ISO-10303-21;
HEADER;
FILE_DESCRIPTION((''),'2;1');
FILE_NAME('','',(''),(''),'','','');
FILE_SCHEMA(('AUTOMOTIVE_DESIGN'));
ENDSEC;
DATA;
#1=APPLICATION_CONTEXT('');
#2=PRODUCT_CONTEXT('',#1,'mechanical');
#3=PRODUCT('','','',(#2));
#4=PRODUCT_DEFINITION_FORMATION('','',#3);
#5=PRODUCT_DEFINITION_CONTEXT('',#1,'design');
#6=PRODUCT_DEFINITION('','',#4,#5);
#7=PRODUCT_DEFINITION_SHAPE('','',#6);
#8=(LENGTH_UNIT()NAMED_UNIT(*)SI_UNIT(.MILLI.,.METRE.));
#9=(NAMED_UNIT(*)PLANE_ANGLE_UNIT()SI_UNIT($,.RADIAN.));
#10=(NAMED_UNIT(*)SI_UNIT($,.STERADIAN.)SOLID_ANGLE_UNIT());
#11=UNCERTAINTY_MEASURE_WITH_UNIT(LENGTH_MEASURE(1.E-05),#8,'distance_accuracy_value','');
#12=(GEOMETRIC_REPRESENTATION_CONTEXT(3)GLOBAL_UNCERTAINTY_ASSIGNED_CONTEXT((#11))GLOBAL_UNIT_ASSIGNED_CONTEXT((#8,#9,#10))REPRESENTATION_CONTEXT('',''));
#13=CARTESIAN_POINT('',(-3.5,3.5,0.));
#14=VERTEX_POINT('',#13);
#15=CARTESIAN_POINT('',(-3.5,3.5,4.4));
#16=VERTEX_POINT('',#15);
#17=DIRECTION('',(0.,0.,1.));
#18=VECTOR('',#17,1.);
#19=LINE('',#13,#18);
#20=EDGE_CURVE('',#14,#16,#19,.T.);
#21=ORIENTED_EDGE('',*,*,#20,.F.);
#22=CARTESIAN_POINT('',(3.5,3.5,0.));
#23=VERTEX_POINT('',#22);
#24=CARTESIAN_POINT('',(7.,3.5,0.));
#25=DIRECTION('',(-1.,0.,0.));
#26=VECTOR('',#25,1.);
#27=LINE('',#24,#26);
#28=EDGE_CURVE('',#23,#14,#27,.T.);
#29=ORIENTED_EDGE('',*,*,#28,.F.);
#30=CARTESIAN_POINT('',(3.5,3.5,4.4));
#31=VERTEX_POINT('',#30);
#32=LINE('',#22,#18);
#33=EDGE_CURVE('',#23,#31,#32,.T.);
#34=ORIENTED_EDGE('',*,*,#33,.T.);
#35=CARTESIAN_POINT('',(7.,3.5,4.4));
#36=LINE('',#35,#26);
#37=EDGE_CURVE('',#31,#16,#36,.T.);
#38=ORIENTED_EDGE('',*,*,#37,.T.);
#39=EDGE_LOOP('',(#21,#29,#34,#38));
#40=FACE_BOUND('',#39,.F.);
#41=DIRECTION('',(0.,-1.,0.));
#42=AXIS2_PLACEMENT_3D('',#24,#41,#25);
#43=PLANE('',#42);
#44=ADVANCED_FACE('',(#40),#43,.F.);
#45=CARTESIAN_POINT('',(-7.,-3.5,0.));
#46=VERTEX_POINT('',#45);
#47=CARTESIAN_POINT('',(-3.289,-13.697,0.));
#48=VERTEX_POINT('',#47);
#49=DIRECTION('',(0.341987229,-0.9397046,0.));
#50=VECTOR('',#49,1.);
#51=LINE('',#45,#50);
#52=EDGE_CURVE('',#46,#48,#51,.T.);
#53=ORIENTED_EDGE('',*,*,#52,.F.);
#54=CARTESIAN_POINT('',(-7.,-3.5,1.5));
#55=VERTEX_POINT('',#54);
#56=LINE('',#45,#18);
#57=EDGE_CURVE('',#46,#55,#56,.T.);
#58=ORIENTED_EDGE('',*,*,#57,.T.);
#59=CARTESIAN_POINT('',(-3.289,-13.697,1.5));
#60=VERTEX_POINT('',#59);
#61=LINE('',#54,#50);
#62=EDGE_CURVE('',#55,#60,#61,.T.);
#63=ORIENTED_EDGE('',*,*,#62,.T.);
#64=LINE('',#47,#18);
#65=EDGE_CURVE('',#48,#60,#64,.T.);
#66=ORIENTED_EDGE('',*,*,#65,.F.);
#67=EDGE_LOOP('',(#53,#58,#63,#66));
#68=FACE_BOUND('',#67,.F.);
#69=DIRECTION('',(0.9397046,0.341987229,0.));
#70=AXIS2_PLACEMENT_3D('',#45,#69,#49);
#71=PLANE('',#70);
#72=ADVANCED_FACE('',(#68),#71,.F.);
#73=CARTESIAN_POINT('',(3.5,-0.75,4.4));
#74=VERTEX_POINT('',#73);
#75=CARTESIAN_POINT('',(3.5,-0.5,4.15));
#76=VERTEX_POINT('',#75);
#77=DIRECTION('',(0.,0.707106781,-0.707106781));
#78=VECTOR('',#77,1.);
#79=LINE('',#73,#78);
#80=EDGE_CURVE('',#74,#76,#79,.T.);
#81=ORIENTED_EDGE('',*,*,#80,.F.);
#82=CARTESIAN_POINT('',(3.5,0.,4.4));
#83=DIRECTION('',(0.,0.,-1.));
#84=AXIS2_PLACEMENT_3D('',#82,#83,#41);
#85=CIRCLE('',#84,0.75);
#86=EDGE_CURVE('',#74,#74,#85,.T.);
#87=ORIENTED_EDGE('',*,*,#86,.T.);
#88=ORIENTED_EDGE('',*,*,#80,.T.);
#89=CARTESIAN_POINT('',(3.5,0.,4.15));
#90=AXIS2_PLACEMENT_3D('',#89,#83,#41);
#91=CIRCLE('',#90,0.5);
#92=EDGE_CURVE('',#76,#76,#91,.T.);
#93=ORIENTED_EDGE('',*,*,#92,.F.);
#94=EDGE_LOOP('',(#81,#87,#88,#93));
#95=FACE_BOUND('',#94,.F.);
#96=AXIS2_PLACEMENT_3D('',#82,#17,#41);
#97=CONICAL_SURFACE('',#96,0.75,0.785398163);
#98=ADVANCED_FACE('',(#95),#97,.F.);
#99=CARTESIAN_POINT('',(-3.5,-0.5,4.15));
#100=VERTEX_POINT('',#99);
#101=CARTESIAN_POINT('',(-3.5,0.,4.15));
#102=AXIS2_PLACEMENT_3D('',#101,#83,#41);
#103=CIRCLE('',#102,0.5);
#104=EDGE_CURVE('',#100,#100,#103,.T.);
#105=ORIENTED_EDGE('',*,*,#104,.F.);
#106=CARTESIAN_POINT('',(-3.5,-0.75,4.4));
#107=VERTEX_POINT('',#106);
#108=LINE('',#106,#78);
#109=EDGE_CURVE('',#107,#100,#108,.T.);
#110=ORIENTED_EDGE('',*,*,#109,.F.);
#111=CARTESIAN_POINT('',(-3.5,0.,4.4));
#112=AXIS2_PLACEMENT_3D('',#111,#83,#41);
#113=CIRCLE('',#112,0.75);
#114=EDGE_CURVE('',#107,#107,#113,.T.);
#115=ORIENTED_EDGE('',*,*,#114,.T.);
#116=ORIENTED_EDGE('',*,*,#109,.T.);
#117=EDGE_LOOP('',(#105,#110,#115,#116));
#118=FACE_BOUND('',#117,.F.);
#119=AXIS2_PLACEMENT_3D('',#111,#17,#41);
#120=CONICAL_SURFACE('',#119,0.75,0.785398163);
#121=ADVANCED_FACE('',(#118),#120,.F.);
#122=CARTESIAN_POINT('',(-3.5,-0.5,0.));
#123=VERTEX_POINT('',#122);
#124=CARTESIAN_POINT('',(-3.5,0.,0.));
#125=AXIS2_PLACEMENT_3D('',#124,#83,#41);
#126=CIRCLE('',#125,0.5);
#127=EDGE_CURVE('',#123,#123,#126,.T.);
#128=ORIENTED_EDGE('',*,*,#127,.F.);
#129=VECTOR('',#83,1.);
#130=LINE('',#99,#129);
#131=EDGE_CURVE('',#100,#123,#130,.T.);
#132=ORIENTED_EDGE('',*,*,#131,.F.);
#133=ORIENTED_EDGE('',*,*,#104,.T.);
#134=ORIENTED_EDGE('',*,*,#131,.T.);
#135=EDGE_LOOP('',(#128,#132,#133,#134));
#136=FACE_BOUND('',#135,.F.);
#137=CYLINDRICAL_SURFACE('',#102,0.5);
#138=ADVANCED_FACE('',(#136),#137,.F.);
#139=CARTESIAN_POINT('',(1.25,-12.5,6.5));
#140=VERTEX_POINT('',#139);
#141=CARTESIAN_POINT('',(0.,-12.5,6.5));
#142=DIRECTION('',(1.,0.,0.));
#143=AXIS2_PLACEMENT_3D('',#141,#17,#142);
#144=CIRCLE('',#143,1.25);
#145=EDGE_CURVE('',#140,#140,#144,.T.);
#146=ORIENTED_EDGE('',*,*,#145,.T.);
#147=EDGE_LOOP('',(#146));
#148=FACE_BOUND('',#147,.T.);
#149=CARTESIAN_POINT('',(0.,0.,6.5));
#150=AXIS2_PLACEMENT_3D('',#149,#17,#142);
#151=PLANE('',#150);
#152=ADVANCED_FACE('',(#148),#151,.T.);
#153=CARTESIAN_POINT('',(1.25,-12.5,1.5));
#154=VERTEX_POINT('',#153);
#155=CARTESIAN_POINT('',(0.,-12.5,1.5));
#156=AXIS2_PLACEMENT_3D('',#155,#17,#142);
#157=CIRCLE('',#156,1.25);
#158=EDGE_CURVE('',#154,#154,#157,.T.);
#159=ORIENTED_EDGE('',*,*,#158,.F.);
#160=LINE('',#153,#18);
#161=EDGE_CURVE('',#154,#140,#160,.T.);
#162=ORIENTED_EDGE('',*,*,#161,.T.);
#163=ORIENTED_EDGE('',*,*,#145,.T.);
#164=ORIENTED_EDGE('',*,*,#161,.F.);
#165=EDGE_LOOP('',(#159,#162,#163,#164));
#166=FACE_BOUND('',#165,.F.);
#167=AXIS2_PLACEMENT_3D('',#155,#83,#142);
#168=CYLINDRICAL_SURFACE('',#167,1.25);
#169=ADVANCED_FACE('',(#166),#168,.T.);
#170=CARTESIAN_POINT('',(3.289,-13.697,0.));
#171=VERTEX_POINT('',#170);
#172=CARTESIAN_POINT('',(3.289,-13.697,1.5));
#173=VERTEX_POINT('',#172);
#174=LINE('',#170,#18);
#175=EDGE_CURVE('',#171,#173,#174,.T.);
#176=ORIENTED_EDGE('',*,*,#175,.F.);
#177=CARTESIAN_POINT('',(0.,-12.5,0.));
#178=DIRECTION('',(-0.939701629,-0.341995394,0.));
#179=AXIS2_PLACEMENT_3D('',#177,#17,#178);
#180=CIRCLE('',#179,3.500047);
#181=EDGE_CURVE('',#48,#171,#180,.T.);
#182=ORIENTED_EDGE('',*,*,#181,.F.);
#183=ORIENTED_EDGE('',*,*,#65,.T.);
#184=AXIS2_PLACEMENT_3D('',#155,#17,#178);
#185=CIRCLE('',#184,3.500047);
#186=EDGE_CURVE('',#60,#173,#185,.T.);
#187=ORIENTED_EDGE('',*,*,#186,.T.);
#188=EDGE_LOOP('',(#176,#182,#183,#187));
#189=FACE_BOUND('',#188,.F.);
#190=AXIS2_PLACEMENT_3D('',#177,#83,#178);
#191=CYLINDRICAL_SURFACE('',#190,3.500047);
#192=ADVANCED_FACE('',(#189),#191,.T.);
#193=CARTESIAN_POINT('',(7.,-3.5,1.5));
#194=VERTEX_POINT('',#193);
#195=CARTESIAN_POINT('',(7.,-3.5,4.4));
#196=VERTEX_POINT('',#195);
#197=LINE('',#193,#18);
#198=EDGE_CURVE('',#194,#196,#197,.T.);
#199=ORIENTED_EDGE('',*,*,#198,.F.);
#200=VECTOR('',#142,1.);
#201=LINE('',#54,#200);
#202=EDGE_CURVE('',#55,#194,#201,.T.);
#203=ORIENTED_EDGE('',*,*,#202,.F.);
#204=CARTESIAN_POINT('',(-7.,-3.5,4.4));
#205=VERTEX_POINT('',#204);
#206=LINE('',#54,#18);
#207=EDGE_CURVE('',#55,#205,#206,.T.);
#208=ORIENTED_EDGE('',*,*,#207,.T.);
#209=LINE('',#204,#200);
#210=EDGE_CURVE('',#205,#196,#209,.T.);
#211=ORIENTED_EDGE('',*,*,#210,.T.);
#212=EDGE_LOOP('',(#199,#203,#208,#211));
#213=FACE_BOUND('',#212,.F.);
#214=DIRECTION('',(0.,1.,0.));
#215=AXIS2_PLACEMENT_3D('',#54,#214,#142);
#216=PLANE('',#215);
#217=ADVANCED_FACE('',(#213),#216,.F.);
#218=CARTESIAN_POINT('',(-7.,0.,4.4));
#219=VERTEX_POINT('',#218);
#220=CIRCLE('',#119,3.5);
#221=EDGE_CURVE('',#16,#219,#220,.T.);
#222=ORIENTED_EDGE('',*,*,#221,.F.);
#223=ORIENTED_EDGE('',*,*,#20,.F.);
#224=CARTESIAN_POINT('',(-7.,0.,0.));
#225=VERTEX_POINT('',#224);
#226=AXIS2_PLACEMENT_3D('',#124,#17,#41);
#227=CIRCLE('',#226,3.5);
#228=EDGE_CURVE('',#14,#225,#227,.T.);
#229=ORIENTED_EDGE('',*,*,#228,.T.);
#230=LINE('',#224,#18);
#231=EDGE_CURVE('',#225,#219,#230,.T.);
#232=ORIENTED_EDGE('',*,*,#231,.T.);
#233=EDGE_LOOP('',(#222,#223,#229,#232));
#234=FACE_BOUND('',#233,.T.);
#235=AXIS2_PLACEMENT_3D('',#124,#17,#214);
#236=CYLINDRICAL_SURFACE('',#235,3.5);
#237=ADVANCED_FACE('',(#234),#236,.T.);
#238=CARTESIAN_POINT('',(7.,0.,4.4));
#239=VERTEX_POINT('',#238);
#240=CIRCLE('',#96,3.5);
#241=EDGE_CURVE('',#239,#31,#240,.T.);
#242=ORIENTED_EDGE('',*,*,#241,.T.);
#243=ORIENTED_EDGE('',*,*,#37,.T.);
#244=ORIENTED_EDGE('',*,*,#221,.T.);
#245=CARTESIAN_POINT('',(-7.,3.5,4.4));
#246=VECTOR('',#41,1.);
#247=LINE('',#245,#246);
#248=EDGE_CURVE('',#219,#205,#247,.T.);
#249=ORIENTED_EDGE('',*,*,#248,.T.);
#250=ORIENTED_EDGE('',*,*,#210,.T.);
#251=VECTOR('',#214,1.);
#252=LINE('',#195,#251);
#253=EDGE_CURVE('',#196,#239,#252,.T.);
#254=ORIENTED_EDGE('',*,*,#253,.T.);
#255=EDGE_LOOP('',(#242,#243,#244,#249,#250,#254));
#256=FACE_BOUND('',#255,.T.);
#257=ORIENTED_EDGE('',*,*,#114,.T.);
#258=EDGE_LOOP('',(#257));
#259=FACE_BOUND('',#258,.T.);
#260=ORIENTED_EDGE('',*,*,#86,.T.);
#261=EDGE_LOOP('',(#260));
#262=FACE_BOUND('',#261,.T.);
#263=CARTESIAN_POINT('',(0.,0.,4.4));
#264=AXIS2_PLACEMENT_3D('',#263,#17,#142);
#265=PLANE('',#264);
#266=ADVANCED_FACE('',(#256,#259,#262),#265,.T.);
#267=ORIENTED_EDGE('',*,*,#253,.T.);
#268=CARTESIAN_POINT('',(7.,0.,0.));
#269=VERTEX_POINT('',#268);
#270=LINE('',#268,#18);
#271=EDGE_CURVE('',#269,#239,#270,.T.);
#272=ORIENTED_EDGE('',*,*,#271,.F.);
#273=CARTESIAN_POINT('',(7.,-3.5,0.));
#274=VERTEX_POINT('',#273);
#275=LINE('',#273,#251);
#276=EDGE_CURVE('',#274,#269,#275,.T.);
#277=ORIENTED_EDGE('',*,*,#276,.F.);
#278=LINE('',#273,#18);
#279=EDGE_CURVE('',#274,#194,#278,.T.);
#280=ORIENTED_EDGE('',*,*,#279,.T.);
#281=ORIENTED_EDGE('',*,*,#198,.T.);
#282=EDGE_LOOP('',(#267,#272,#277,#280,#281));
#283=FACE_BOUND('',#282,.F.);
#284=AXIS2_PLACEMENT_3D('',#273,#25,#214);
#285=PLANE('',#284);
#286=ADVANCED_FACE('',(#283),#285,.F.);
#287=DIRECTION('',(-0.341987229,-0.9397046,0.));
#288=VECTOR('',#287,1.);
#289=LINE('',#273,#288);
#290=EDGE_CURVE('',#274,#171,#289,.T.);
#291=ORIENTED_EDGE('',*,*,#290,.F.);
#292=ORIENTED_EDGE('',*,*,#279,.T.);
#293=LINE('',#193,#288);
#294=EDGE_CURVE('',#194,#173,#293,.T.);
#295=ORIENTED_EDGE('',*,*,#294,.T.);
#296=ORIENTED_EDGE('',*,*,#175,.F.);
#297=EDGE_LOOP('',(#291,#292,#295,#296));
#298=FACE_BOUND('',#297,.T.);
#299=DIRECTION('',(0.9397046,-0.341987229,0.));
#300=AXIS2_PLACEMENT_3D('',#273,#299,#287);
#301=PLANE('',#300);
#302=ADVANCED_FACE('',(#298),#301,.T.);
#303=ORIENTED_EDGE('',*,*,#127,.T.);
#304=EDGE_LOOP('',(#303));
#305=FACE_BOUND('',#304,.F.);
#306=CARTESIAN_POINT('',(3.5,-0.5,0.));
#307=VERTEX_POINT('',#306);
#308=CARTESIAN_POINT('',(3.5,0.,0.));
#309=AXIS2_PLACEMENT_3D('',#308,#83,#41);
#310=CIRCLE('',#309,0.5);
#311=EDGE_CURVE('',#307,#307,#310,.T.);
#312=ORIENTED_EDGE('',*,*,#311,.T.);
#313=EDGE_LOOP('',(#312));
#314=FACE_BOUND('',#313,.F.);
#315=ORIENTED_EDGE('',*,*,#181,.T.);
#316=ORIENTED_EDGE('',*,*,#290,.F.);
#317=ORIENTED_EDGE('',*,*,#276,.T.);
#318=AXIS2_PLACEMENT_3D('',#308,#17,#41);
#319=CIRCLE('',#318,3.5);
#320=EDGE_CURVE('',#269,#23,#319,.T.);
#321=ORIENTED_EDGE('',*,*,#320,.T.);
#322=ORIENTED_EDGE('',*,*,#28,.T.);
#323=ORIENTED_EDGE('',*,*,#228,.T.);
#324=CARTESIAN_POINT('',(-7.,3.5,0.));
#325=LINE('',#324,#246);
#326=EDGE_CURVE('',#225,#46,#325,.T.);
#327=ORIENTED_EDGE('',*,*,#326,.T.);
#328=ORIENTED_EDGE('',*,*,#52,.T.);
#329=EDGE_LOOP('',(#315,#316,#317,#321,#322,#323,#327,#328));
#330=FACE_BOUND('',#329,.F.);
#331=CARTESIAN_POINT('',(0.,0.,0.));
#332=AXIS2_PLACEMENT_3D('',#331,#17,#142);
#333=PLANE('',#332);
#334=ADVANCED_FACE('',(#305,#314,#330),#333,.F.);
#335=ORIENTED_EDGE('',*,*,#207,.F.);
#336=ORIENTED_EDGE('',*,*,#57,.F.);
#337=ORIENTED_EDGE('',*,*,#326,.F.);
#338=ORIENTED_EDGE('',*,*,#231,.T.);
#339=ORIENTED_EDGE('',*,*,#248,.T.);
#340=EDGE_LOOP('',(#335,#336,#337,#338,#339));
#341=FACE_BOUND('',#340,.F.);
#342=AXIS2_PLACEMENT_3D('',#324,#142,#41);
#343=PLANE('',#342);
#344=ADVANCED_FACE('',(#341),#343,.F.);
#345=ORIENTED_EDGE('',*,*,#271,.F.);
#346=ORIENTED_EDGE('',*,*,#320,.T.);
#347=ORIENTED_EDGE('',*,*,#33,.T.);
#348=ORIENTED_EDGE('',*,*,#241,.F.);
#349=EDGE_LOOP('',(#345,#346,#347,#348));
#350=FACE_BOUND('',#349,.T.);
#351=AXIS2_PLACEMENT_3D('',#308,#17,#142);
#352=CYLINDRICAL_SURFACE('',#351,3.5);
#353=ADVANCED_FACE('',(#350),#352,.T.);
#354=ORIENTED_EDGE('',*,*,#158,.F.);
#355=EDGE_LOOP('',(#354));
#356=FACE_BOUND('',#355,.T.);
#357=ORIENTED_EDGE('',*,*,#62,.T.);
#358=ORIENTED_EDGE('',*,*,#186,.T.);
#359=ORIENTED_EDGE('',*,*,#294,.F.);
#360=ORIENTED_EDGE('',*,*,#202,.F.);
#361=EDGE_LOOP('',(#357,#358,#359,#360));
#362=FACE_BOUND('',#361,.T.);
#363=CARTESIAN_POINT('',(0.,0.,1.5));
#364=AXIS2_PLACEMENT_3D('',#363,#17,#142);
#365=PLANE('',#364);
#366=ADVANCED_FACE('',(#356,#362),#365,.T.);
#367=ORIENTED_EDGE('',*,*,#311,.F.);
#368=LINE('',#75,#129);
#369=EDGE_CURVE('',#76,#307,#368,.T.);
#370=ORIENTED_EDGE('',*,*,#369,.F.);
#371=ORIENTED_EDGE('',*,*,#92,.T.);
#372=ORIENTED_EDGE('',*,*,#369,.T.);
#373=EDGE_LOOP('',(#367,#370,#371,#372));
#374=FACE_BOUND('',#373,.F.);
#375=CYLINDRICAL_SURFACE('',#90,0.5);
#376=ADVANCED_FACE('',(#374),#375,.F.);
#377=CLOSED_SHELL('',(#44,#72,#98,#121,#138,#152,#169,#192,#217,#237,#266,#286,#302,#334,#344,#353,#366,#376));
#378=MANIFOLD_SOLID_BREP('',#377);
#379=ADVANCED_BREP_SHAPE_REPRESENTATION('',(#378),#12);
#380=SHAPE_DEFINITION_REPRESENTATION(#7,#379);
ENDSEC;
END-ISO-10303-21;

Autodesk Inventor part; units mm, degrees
ref_plane "YZ Plane" through (0, 0, 0) normal (1, 0, 0) x (0, 1, 0)
ref_plane "XZ Plane" through (0, 0, 0) normal (0, 1, 0) x (-1, 0, 0)
ref_plane "XY Plane" through (0, 0, 0) normal (0, 0, 1) x (1, 0, 0)
sketch "Эскиз1" plane through (0, 0, 0) normal (0, 0, 1) x (1, 0, 0)
  line L0 (-7, -3.5) -> (7, -3.5) construction
  line L1 (7, -3.5) -> (7, 3.5)
  line L2 (7, 3.5) -> (-7, 3.5)
  line L3 (-7, 3.5) -> (-7, -3.5)
  line L4 (-7, -3.5) -> (7, 3.5) construction
  line L5 (7, -3.5) -> (-7, 3.5) construction
  line L6 (0, -3.5) -> (0, -12.5) construction
  line L7 (-7, -3.5) -> (-3.289, -13.697)
  line L8 (7, -3.5) -> (3.289, -13.697)
  arc A0 (-3.289, -13.697) -> (3.289, -13.697) centre (0, -12.5) ccw
  point P0 (0, 0)
  point P1 (0, 0)
  point P2 (0, 0)
  point P3 (0, 0)
  dimension "d0" = 14
  dimension "d1" = 7
  dimension "d4" = 9
  dimension "d5" = 3.5
extrude "Выдавливание1" add sketch "Эскиз1" along normal blind 1.5
sketch "Эскиз4" plane through (0, 0, 1.5) normal (0, 0, 1) x (1, 0, 0)
  line L0 (7, 3.5) -> (-7, 3.5) projected
  line L1 (7, -3.5) -> (7, 3.5) projected
  line L2 (-7, 3.5) -> (-7, -3.5) projected
  line L3 (-7, -3.5) -> (7, -3.5)
  point P0 (0, 0)
extrude "Выдавливание6" add sketch "Эскиз4" along normal blind 2.9
sketch "Эскиз2" plane through (0, 0, 1.5) normal (0, 0, 1) x (1, 0, 0)
  arc A0 (-3.289, -13.697) -> (3.289, -13.697) centre (0, -12.5) ccw construction
  circle A1 centre (0, -12.5) radius 1.25
  point P0 (0, 0)
  dimension "d8" = 2.5
extrude "Выдавливание9" add sketch "Эскиз2" along normal blind 5
fillet "Сопряжение1" radius 3.5 2 edges at (7, 3.5, 2.2) (-7, 3.5, 2.2)
sketch "Эскиз5" plane through (0, 0, 4.4) normal (0, 0, 1) x (1, 0, 0)
  circle A0 centre (0, -9.5) radius 1.5 construction
  line L0 (7, -3.5) -> (-7, -3.5) construction
  line L1 (0, -3.5) -> (0, 3.5) construction
  line L2 (-7, 3.5) -> (7, 3.5) construction
  circle A1 centre (3.5, 0) radius 0.5
  line L3 (3.5, 3.5) -> (3.5, 0) construction
  line L4 (3.5, 0) -> (0, 0) construction
  circle A2 centre (-3.5, 0) radius 0.5
  dimension "d34" = 1
hole "Отверстие1" at (-3.5, 0, 4.4) at (3.5, 0, 4.4) direction (0, 0, -1) diameter 1 end through all countersink diameter 1.5 countersink angle 90
properties part number "переходник"
